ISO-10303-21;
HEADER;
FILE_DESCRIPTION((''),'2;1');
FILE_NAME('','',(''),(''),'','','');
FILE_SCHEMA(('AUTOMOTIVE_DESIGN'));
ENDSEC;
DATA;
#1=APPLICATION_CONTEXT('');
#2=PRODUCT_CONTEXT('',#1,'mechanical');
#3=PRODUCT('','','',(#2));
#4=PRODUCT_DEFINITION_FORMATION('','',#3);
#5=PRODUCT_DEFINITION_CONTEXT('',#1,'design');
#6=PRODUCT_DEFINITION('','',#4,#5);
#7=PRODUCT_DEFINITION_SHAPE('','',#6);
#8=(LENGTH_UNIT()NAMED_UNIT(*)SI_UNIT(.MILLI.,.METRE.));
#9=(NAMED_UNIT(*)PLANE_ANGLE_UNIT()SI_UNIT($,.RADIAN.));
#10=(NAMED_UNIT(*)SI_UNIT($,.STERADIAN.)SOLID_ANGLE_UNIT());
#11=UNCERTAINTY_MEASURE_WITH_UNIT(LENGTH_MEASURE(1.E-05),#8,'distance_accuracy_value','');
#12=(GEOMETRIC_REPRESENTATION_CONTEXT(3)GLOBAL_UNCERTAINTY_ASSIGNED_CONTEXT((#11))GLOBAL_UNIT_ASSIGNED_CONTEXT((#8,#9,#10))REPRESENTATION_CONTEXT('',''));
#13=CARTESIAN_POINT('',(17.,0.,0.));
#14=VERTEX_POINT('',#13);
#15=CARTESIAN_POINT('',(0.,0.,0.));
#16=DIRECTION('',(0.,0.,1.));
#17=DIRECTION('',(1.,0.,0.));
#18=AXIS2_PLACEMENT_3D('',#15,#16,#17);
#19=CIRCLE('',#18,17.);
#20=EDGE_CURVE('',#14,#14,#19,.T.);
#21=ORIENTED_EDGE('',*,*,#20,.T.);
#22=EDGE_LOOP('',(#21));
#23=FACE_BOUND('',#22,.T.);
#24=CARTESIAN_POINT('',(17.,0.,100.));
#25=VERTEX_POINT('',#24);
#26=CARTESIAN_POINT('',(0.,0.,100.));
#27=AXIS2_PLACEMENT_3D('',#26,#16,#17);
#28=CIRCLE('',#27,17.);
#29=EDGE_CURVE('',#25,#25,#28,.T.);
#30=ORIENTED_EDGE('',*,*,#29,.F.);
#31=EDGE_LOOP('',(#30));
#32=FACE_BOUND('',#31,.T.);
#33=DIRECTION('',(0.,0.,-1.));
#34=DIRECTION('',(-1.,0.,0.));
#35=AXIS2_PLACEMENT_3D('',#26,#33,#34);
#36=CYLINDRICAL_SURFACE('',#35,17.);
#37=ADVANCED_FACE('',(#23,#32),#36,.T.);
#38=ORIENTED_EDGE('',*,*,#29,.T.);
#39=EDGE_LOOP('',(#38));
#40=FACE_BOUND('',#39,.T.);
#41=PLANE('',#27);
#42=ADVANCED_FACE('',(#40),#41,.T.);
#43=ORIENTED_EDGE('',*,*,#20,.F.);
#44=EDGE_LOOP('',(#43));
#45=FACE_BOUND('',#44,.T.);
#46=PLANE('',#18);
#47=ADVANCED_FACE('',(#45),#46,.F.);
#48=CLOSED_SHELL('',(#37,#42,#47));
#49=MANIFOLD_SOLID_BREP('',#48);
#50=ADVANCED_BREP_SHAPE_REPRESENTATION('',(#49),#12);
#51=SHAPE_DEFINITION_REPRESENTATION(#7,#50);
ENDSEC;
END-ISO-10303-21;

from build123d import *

# Parameters (mm, degrees)
SKETCH_1_R      = 17
EXTRUDE_1_DEPTH = 100


with BuildPart() as part:
    # 草图1 → 凸台-拉伸1 (new body)
    with BuildSketch(Plane.XY):
        Circle(SKETCH_1_R)
    extrude(amount=EXTRUDE_1_DEPTH)


solid = part.part
